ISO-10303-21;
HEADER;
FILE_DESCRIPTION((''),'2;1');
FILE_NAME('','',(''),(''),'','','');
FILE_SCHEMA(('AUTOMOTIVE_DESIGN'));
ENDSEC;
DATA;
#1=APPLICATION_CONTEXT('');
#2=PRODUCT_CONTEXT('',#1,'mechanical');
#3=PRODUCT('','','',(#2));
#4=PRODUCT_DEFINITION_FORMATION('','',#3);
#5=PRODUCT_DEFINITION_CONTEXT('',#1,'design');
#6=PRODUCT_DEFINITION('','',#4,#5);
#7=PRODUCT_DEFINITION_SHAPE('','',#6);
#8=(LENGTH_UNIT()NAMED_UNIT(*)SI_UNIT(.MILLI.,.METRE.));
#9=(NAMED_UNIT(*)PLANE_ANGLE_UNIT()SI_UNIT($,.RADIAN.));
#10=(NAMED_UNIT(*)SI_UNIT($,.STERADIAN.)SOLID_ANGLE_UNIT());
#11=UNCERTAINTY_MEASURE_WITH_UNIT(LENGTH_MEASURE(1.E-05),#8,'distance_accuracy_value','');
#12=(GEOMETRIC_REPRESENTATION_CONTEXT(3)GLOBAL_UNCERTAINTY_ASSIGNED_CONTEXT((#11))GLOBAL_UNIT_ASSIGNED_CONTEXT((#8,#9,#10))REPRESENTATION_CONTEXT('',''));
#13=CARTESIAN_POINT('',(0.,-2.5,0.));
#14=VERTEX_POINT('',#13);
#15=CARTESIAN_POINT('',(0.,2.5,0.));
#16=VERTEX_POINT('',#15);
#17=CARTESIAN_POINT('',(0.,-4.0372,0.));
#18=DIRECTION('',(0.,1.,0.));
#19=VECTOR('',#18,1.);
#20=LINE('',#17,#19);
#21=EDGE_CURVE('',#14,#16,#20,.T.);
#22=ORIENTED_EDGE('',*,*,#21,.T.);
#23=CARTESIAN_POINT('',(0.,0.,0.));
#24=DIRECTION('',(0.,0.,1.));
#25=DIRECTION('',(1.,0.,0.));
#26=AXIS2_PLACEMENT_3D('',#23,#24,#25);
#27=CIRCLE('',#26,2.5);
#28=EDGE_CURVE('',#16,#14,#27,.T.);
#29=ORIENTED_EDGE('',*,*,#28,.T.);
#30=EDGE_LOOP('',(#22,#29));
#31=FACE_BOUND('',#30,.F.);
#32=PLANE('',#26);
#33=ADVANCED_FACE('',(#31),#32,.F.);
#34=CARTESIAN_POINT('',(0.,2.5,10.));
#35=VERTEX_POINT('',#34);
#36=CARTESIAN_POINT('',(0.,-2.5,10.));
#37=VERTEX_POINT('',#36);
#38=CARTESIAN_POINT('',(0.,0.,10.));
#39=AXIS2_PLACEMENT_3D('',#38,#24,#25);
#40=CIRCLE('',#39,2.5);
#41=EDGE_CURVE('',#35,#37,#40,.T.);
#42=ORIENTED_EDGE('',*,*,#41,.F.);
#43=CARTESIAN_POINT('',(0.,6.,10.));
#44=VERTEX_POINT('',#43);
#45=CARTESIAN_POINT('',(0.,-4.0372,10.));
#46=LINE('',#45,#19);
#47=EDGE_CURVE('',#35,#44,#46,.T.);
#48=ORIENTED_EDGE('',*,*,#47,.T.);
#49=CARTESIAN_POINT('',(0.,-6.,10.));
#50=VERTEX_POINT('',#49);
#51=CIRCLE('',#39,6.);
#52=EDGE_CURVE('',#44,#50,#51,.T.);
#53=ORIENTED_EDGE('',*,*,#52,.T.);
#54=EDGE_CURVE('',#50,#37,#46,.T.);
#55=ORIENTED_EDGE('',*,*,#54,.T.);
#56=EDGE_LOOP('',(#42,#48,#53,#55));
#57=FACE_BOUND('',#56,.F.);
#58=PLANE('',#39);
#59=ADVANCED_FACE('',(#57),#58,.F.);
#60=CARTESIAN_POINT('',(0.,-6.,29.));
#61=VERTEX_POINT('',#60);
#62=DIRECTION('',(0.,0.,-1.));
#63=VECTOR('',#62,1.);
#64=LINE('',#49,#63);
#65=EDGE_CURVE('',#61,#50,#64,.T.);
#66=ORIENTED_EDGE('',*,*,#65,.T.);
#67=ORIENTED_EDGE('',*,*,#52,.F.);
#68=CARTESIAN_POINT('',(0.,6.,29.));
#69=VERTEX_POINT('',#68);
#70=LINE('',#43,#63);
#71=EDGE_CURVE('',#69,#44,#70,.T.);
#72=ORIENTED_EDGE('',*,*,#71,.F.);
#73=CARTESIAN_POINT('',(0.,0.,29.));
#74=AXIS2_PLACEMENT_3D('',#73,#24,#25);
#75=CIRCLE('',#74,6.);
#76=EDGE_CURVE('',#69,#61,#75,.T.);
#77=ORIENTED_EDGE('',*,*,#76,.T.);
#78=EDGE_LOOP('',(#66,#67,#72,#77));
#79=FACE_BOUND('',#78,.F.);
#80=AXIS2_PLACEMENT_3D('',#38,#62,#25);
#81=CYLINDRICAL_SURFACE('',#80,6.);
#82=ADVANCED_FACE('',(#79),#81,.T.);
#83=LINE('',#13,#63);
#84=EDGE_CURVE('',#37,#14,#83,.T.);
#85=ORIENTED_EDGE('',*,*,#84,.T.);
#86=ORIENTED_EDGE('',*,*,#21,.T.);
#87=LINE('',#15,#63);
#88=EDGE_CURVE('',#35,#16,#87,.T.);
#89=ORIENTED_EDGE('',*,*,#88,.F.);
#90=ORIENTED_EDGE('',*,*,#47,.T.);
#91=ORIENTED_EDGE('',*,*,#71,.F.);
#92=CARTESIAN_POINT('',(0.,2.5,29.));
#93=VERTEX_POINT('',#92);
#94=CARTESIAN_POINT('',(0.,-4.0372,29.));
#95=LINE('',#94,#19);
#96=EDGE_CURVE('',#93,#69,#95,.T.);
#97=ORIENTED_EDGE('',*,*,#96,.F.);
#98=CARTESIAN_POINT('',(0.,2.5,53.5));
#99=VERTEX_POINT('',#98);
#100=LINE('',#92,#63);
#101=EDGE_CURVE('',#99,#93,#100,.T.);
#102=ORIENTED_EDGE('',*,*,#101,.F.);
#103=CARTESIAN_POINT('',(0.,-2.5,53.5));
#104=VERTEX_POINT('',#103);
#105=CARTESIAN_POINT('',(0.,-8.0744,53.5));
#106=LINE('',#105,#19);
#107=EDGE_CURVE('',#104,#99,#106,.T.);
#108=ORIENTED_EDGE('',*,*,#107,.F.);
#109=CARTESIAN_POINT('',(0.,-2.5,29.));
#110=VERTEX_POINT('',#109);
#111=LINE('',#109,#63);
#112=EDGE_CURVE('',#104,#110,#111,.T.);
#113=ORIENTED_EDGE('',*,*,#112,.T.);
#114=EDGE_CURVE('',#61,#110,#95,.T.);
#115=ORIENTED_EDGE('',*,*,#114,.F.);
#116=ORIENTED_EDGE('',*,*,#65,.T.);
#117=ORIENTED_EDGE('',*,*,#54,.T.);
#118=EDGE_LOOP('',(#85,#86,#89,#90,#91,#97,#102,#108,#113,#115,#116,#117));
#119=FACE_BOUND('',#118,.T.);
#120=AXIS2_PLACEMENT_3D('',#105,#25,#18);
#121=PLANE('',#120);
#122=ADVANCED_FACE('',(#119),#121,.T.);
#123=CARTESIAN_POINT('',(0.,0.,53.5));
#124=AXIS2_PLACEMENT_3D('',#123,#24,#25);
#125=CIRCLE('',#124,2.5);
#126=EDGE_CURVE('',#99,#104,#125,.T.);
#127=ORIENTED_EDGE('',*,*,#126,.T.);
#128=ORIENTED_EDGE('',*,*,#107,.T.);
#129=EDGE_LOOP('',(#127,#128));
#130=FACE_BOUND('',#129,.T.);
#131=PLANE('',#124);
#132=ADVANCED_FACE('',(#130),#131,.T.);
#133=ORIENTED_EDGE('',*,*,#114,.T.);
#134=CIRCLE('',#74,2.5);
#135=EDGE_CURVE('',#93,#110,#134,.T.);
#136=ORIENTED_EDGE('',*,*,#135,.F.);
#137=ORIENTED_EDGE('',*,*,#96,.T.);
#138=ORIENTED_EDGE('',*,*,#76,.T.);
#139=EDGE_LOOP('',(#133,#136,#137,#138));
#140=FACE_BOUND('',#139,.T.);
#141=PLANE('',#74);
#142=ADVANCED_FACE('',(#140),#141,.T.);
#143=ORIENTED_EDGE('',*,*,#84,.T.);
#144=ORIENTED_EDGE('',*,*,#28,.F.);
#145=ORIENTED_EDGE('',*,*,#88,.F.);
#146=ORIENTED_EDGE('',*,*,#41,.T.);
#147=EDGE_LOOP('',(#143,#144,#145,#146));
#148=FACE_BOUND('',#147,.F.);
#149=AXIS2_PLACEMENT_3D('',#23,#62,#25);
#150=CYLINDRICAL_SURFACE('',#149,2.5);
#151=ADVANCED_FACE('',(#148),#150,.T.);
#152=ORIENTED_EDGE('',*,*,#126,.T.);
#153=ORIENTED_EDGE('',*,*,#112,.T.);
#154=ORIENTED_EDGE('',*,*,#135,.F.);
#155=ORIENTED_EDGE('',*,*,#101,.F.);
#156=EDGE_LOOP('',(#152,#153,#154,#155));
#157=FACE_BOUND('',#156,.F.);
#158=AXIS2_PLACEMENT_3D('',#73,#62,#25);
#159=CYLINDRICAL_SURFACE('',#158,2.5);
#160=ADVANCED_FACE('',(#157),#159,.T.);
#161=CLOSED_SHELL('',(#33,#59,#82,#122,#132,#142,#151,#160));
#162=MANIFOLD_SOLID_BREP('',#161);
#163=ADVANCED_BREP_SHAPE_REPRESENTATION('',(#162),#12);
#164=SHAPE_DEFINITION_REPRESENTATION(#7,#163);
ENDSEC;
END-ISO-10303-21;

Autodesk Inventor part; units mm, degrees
sketch "Sketch1" plane through (0, 0, 0) normal (0, 0, 1) x (1, 0, 0)
  line L0 (0, 1.7864) -> (0, -1.7864) construction
  line L1 (-3.6109, 0) -> (3.6109, 0) construction
  circle A0 centre (0, 0) radius 2.5
  dimension "d0" = 5
extrude "Extrusion1" add sketch "Sketch1" along normal blind 10
sketch "Sketch2" plane through (0, 0, 10) normal (0, 0, 1) x (1, 0, 0)
  circle A0 centre (0, 0) radius 6
  dimension "d3" = 12
extrude "Extrusion2" add sketch "Sketch2" along normal blind 19
sketch "Sketch3" plane through (0, 0, 29) normal (0, 0, 1) x (1, 0, 0)
  circle A0 centre (0, 0) radius 2.5
  dimension "d6" = 5
extrude "Extrusion3" add sketch "Sketch3" along normal blind 24.5
sketch "Sketch5" plane through (0, 0, 53.5) normal (0, 0, 1) x (1, 0, 0)
  line L0 (0, 8.3226) -> (8.1221, 8.3226)
  line L1 (8.1221, 8.3226) -> (8.1221, -8.0744)
  line L2 (8.1221, -8.0744) -> (0, -8.0744)
  line L3 (0, -8.0744) -> (0, 8.3226)
  point P0 (0, 0)
extrude "Extrusion5" cut sketch "Sketch5" against normal blind 58
properties part number "Stang" material "S235"
